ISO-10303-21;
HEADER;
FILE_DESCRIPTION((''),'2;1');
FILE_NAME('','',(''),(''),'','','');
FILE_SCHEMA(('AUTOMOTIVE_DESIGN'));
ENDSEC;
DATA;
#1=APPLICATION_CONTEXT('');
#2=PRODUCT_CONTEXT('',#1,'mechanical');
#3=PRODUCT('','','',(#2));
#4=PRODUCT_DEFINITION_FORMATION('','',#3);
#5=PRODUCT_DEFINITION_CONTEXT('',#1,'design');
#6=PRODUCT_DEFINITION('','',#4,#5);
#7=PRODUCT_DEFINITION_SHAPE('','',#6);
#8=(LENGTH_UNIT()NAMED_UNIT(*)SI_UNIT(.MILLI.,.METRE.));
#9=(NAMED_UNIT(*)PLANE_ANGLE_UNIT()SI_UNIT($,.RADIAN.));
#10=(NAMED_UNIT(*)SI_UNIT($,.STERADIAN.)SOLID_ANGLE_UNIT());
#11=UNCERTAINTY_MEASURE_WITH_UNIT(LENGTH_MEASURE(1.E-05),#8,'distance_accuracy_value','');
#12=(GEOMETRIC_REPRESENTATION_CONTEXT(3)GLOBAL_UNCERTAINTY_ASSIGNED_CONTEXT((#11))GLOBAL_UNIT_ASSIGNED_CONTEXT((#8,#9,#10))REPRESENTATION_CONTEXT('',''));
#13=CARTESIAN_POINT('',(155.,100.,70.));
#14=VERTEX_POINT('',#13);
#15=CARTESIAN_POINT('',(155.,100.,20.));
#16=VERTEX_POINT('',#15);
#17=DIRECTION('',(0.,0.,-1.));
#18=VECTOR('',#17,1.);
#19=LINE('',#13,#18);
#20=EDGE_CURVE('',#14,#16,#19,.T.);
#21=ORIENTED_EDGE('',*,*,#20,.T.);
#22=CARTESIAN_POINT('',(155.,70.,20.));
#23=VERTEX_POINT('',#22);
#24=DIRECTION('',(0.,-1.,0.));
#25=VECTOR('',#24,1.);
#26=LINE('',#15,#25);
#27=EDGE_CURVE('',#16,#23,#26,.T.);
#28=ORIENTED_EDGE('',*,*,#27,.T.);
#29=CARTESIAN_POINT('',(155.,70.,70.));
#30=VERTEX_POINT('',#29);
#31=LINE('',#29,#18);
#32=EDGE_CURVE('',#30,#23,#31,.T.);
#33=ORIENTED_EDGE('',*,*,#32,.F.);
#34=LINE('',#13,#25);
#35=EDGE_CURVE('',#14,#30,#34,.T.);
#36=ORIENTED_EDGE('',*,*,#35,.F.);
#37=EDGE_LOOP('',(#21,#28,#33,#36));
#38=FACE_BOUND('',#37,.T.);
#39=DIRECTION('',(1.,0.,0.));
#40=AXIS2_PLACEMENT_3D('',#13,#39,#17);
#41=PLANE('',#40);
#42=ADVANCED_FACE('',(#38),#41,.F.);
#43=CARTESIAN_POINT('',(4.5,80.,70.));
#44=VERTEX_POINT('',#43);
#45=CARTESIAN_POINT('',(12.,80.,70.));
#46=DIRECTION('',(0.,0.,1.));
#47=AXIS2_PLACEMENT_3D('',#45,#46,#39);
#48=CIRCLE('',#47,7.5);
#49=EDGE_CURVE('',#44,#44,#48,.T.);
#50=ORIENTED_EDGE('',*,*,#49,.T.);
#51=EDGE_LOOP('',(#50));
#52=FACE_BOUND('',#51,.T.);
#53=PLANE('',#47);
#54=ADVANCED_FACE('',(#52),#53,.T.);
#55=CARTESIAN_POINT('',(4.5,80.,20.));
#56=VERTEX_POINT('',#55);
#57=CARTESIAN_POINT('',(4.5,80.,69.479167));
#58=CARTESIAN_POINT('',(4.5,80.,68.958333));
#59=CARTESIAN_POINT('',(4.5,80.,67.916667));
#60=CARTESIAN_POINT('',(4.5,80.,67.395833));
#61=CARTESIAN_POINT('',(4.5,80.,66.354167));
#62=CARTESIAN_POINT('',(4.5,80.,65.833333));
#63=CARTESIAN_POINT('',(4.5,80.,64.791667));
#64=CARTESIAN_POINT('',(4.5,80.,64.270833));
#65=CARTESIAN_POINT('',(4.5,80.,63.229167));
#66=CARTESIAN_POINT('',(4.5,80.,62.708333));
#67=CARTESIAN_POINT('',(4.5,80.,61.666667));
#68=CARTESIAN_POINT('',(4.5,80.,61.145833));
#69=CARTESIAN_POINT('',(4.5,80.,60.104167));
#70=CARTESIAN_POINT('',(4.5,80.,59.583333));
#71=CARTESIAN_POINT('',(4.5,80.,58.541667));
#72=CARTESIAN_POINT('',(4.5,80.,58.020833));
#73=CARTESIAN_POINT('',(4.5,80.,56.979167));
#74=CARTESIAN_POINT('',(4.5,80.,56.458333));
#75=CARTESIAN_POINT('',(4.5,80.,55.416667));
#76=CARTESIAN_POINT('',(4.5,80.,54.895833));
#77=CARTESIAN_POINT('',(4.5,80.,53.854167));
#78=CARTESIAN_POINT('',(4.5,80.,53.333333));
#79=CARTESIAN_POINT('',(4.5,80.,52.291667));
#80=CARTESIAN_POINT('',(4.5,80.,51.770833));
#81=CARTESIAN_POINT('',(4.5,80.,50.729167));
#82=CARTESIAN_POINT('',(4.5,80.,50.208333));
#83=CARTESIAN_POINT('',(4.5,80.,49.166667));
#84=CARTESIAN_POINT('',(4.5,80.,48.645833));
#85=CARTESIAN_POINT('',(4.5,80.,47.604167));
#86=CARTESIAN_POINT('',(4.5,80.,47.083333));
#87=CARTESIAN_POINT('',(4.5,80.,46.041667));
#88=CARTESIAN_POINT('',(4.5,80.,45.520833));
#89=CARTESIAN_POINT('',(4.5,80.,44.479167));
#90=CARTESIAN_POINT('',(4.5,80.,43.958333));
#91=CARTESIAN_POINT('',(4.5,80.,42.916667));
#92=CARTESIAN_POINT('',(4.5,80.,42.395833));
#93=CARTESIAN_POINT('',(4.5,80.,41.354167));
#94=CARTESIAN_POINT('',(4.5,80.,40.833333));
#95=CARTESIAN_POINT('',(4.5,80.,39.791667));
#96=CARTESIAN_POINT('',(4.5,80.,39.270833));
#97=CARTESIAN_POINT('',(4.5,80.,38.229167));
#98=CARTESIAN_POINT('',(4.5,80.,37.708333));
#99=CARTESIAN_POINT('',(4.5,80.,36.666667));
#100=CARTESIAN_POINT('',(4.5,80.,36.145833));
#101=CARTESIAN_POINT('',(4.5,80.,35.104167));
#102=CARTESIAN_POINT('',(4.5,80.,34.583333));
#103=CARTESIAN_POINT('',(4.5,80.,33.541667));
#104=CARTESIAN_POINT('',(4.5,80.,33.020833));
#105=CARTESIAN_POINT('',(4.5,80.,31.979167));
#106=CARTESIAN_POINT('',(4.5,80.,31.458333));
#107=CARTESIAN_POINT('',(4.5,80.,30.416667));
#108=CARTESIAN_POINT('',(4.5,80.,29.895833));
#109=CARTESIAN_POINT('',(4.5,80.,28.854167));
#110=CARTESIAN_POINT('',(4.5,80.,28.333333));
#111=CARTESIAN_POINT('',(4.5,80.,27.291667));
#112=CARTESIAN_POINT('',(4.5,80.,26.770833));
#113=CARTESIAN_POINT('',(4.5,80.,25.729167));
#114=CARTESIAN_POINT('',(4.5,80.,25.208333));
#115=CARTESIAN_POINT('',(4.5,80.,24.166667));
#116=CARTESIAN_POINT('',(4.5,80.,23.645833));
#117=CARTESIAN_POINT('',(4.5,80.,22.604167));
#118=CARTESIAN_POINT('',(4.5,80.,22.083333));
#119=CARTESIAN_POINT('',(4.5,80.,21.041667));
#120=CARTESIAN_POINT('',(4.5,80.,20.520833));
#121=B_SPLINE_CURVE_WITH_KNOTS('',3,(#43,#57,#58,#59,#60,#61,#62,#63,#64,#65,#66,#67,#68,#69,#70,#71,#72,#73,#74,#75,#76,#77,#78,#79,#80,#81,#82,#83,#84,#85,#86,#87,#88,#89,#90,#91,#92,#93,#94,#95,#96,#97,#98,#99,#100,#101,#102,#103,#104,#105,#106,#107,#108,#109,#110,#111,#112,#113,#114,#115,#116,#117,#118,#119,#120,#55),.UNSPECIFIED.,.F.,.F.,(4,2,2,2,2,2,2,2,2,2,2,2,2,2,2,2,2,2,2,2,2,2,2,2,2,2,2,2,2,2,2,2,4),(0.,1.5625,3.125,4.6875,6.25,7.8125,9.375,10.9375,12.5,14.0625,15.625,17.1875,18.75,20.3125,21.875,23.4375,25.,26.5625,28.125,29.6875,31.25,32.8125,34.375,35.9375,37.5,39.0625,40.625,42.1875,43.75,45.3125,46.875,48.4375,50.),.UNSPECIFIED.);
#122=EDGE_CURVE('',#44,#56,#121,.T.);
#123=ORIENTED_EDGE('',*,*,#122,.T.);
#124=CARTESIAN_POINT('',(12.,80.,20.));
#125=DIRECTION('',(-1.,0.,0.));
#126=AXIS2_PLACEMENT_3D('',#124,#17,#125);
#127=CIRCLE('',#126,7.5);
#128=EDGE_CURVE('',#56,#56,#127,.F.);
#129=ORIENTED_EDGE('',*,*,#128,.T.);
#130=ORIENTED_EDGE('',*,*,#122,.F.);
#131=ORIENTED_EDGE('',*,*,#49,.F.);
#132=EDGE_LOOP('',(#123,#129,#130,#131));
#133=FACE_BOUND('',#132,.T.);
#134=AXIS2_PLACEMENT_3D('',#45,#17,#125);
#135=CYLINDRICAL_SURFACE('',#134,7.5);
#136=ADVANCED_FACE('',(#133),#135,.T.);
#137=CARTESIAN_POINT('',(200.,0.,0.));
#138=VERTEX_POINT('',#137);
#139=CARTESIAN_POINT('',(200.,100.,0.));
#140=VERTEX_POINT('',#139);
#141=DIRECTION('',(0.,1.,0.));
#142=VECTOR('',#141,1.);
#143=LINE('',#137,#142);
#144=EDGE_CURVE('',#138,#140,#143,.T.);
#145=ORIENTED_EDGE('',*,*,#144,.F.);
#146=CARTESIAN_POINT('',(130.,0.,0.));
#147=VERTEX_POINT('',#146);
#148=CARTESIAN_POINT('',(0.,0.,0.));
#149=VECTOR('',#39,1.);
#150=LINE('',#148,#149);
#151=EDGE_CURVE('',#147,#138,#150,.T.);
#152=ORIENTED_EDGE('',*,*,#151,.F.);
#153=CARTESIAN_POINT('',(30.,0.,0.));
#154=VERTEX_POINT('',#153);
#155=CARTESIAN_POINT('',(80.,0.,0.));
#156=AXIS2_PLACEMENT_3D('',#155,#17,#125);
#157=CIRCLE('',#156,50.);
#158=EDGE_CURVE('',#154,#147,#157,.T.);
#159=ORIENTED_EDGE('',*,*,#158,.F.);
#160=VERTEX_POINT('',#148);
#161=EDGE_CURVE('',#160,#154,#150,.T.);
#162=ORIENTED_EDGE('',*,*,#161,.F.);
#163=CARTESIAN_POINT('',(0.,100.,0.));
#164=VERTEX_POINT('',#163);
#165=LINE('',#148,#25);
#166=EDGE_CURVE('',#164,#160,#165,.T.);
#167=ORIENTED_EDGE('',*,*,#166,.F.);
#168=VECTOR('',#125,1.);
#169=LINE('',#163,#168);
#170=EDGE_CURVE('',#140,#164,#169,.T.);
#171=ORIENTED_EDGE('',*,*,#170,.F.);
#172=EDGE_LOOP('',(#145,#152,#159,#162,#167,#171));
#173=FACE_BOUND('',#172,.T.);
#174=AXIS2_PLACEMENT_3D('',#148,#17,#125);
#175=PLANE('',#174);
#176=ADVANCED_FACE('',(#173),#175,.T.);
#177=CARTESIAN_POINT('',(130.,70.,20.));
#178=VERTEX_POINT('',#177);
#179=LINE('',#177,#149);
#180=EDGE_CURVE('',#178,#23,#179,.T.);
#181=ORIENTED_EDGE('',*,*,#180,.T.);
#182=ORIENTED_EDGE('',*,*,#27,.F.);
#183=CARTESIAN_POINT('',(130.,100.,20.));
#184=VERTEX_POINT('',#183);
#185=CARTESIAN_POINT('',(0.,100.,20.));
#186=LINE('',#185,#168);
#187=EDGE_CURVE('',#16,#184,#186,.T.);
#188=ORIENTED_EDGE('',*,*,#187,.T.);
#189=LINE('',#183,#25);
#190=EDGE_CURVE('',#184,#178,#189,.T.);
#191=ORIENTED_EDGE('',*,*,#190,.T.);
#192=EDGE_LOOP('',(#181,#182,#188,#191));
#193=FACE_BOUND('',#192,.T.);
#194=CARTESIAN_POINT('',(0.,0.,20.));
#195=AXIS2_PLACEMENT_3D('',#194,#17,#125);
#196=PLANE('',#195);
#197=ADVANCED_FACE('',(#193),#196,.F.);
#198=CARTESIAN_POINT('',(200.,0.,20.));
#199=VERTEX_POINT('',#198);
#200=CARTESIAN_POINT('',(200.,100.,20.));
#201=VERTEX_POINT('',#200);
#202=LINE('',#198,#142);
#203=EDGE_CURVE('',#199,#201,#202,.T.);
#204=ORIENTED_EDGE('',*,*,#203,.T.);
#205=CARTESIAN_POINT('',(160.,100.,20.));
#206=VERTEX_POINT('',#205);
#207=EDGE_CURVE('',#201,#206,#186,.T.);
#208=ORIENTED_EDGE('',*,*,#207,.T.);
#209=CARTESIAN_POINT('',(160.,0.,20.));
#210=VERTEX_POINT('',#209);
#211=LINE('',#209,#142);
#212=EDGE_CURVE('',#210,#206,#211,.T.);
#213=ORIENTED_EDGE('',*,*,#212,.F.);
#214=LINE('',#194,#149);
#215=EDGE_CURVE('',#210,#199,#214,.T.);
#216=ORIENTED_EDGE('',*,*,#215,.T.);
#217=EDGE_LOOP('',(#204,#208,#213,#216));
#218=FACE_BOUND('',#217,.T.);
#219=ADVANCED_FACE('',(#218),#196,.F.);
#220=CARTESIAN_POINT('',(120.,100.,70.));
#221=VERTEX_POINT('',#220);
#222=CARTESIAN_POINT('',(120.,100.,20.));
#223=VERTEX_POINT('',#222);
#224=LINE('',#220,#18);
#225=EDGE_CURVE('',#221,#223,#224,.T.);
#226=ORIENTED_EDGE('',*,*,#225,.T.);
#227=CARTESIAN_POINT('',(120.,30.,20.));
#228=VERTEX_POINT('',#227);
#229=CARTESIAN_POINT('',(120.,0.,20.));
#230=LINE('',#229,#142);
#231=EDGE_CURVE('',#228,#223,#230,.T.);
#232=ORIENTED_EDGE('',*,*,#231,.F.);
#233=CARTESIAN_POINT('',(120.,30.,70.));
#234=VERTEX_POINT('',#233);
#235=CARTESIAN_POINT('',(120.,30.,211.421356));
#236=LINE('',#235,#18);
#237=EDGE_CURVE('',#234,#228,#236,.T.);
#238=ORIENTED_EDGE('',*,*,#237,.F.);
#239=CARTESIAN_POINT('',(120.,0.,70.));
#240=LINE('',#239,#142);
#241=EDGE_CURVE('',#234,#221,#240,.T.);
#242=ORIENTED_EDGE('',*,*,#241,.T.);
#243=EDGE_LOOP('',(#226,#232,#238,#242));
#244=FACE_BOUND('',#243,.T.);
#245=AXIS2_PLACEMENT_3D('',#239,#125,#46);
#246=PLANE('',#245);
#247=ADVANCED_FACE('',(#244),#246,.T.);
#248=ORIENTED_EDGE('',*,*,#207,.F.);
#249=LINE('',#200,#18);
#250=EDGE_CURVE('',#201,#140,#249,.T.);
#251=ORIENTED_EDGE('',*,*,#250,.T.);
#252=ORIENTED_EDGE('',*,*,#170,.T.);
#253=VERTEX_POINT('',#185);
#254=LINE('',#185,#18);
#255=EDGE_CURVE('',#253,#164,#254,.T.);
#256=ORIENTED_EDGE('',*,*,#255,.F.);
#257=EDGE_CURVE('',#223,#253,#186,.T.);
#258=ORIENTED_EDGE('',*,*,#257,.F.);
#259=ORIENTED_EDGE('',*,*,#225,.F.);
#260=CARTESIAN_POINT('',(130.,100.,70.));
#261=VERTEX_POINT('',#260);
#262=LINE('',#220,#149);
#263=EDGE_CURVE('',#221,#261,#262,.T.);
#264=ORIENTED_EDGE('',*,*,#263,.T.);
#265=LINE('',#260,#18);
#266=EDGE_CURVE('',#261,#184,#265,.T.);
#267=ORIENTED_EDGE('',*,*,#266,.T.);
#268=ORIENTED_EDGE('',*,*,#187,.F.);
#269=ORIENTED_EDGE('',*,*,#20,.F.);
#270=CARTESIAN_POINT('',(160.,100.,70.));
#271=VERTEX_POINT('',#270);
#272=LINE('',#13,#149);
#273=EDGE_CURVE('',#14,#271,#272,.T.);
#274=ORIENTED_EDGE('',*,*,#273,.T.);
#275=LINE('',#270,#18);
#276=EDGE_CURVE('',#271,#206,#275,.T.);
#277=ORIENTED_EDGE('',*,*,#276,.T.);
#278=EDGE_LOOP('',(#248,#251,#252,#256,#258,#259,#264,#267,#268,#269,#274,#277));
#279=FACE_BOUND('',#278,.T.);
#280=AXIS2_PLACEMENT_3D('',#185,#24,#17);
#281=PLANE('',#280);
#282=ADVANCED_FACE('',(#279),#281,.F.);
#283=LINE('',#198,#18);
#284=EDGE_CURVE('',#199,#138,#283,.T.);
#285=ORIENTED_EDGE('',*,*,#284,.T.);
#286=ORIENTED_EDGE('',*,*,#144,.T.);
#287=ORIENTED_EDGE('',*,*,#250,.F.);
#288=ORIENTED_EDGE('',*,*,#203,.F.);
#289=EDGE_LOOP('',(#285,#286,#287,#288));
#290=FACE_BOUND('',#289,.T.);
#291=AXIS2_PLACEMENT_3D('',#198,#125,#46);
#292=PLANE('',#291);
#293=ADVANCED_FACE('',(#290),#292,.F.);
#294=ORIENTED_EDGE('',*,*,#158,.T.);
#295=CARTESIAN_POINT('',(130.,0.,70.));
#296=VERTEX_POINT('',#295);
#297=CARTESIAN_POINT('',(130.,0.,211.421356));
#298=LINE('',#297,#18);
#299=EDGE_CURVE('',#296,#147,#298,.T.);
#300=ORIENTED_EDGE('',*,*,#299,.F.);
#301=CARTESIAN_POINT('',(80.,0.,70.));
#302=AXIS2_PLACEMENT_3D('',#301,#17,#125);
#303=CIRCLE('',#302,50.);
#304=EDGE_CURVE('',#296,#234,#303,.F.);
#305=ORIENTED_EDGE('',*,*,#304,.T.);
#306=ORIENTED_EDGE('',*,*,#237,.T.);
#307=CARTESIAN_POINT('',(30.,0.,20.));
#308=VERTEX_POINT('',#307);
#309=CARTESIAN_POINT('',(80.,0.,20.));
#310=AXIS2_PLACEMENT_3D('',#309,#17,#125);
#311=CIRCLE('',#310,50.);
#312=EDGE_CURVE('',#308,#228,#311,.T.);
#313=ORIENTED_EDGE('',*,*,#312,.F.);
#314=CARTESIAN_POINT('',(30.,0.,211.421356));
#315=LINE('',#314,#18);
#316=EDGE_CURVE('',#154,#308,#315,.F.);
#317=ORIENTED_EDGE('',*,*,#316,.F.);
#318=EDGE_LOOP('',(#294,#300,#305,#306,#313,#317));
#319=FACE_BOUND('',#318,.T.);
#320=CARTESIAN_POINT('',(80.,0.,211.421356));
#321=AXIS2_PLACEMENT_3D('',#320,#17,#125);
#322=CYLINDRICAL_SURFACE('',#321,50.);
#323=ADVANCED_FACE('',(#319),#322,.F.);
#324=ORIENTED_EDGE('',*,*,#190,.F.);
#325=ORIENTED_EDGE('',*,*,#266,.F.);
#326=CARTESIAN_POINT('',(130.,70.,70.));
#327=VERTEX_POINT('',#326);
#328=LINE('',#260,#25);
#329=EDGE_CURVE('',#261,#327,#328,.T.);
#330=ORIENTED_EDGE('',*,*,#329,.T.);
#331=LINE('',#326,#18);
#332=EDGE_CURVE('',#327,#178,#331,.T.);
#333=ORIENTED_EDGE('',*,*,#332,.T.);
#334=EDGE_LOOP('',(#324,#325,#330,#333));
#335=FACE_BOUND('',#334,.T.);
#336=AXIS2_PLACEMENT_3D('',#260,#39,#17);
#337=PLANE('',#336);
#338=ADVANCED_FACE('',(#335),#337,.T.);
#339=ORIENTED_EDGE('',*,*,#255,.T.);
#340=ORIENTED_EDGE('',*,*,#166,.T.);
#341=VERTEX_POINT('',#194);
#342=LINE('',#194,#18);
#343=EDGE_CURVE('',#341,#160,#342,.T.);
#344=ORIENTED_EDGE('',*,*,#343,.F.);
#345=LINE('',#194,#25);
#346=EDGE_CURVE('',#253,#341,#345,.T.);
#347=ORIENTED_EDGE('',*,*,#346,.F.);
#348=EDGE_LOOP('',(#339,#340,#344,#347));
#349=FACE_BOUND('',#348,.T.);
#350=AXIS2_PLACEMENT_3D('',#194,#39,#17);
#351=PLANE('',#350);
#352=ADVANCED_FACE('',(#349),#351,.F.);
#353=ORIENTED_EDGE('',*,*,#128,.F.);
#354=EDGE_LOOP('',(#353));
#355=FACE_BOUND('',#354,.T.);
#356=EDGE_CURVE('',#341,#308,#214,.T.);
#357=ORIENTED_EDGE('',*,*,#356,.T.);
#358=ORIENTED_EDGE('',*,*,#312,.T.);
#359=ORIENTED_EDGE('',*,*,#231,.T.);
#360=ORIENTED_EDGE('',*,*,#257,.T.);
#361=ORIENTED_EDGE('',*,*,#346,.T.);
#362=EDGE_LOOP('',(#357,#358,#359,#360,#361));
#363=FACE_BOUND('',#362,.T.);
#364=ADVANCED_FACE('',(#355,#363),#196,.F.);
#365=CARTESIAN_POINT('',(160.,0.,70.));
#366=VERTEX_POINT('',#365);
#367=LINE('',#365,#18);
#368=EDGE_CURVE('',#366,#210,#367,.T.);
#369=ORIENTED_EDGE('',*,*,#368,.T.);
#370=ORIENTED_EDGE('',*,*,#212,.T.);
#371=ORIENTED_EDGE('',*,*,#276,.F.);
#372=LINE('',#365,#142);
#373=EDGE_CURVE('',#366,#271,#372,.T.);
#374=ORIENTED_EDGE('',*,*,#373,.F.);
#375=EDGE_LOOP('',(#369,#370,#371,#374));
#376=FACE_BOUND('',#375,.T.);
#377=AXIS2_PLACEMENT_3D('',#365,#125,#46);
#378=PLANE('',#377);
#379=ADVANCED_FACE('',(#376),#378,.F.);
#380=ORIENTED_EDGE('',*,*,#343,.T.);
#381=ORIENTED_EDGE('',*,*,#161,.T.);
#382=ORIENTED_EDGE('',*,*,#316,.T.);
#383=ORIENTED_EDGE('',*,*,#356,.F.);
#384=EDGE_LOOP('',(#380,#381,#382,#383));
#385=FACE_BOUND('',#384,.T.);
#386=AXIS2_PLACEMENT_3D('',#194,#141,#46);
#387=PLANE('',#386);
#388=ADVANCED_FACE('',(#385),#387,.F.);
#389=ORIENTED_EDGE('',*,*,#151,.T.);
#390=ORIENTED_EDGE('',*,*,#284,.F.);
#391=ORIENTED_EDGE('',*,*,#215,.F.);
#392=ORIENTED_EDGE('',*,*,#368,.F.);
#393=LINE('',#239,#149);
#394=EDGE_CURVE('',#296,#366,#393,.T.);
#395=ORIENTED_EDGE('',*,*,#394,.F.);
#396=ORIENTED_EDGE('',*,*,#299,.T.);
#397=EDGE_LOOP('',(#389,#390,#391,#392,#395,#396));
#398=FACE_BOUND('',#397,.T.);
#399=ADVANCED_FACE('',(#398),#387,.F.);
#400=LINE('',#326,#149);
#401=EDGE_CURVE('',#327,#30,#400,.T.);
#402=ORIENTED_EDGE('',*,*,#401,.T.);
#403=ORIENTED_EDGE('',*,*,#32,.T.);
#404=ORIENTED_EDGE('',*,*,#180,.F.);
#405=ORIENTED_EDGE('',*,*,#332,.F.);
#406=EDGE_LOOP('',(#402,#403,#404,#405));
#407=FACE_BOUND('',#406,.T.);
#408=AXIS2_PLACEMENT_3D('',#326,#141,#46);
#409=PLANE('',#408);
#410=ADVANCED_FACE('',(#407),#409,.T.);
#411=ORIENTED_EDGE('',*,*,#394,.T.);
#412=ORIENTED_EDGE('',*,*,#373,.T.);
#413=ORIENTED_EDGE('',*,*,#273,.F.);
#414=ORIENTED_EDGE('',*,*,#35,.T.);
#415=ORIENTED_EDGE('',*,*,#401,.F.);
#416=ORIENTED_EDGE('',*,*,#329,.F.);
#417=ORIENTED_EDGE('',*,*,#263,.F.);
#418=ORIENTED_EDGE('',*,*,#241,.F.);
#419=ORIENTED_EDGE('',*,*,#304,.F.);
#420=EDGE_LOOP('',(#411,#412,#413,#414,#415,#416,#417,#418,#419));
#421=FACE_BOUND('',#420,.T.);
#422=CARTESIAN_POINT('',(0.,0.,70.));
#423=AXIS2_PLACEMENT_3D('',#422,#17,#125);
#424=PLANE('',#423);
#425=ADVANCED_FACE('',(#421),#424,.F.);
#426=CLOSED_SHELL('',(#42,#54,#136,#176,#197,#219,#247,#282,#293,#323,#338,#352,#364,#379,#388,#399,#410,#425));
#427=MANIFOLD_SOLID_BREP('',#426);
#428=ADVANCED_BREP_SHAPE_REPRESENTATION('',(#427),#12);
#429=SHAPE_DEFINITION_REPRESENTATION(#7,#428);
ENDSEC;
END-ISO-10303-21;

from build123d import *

# Parameters (mm, degrees)
SKICA1_W                 = 200
SKICA1_H                 = 100
P_IDAT_VYSUNUT_M1_DEPTH  = 20
P_IDAT_VYSUNUT_M2_DEPTH  = 50
ODEBRAT_VYSUNUT_M1_REACH = 236.307
SKICA4_R                 = 50
SKICA7_R                 = 7.5
P_IDAT_VYSUNUT_M3_DEPTH  = 50


with BuildPart() as part:
    # Skica1 → Přidat vysunutím1 (new body)
    with BuildSketch(Plane.XY):
        with Locations((100, 50)):
            Rectangle(SKICA1_W, SKICA1_H)
    extrude(amount=P_IDAT_VYSUNUT_M1_DEPTH)

    # Skica2 → Přidat vysunutím2 (add)
    with BuildSketch(Plane.XY.offset(20)):
        Polygon((120, 0), (160, 0), (160, 100), (155, 100), (155, 70), (130, 70), (130, 100), (120, 100), align=None)
    extrude(amount=P_IDAT_VYSUNUT_M2_DEPTH)

    # Odebrat vysunutím1: up to this face of the body (flat: up to its plane)
    odebrat_vysunut_m1_end = Plane(part.part.faces().sort_by_distance((139.423076923, 41.923076923, 70))[0])
    # Skica4 → Odebrat vysunutím1 (cut, up to the picked face)
    with BuildSketch(Plane(origin=(0, 0, 0), x_dir=(-1, 0, 0), z_dir=(0, 0, -1)), mode=Mode.PRIVATE) as odebrat_vysunut_m1_sk1:
        with Locations((-80, 0)):
            Circle(SKICA4_R)
    odebrat_vysunut_m1_tool1 = split(extrude(odebrat_vysunut_m1_sk1.sketch, amount=-ODEBRAT_VYSUNUT_M1_REACH, mode=Mode.PRIVATE), bisect_by=odebrat_vysunut_m1_end, keep=Keep.BOTH, mode=Mode.PRIVATE)
    add(odebrat_vysunut_m1_tool1.solids().sort_by(Axis((80, 0, 0), (0, 0, 1)))[0], mode=Mode.SUBTRACT)

    # Skica7 → Přidat vysunutím3 (add)
    with BuildSketch(Plane.XY.offset(20)):
        with Locations(Location((12, 80, 0), (0, 0, 180))):
            Circle(SKICA7_R)
    extrude(amount=P_IDAT_VYSUNUT_M3_DEPTH)


solid = part.part
